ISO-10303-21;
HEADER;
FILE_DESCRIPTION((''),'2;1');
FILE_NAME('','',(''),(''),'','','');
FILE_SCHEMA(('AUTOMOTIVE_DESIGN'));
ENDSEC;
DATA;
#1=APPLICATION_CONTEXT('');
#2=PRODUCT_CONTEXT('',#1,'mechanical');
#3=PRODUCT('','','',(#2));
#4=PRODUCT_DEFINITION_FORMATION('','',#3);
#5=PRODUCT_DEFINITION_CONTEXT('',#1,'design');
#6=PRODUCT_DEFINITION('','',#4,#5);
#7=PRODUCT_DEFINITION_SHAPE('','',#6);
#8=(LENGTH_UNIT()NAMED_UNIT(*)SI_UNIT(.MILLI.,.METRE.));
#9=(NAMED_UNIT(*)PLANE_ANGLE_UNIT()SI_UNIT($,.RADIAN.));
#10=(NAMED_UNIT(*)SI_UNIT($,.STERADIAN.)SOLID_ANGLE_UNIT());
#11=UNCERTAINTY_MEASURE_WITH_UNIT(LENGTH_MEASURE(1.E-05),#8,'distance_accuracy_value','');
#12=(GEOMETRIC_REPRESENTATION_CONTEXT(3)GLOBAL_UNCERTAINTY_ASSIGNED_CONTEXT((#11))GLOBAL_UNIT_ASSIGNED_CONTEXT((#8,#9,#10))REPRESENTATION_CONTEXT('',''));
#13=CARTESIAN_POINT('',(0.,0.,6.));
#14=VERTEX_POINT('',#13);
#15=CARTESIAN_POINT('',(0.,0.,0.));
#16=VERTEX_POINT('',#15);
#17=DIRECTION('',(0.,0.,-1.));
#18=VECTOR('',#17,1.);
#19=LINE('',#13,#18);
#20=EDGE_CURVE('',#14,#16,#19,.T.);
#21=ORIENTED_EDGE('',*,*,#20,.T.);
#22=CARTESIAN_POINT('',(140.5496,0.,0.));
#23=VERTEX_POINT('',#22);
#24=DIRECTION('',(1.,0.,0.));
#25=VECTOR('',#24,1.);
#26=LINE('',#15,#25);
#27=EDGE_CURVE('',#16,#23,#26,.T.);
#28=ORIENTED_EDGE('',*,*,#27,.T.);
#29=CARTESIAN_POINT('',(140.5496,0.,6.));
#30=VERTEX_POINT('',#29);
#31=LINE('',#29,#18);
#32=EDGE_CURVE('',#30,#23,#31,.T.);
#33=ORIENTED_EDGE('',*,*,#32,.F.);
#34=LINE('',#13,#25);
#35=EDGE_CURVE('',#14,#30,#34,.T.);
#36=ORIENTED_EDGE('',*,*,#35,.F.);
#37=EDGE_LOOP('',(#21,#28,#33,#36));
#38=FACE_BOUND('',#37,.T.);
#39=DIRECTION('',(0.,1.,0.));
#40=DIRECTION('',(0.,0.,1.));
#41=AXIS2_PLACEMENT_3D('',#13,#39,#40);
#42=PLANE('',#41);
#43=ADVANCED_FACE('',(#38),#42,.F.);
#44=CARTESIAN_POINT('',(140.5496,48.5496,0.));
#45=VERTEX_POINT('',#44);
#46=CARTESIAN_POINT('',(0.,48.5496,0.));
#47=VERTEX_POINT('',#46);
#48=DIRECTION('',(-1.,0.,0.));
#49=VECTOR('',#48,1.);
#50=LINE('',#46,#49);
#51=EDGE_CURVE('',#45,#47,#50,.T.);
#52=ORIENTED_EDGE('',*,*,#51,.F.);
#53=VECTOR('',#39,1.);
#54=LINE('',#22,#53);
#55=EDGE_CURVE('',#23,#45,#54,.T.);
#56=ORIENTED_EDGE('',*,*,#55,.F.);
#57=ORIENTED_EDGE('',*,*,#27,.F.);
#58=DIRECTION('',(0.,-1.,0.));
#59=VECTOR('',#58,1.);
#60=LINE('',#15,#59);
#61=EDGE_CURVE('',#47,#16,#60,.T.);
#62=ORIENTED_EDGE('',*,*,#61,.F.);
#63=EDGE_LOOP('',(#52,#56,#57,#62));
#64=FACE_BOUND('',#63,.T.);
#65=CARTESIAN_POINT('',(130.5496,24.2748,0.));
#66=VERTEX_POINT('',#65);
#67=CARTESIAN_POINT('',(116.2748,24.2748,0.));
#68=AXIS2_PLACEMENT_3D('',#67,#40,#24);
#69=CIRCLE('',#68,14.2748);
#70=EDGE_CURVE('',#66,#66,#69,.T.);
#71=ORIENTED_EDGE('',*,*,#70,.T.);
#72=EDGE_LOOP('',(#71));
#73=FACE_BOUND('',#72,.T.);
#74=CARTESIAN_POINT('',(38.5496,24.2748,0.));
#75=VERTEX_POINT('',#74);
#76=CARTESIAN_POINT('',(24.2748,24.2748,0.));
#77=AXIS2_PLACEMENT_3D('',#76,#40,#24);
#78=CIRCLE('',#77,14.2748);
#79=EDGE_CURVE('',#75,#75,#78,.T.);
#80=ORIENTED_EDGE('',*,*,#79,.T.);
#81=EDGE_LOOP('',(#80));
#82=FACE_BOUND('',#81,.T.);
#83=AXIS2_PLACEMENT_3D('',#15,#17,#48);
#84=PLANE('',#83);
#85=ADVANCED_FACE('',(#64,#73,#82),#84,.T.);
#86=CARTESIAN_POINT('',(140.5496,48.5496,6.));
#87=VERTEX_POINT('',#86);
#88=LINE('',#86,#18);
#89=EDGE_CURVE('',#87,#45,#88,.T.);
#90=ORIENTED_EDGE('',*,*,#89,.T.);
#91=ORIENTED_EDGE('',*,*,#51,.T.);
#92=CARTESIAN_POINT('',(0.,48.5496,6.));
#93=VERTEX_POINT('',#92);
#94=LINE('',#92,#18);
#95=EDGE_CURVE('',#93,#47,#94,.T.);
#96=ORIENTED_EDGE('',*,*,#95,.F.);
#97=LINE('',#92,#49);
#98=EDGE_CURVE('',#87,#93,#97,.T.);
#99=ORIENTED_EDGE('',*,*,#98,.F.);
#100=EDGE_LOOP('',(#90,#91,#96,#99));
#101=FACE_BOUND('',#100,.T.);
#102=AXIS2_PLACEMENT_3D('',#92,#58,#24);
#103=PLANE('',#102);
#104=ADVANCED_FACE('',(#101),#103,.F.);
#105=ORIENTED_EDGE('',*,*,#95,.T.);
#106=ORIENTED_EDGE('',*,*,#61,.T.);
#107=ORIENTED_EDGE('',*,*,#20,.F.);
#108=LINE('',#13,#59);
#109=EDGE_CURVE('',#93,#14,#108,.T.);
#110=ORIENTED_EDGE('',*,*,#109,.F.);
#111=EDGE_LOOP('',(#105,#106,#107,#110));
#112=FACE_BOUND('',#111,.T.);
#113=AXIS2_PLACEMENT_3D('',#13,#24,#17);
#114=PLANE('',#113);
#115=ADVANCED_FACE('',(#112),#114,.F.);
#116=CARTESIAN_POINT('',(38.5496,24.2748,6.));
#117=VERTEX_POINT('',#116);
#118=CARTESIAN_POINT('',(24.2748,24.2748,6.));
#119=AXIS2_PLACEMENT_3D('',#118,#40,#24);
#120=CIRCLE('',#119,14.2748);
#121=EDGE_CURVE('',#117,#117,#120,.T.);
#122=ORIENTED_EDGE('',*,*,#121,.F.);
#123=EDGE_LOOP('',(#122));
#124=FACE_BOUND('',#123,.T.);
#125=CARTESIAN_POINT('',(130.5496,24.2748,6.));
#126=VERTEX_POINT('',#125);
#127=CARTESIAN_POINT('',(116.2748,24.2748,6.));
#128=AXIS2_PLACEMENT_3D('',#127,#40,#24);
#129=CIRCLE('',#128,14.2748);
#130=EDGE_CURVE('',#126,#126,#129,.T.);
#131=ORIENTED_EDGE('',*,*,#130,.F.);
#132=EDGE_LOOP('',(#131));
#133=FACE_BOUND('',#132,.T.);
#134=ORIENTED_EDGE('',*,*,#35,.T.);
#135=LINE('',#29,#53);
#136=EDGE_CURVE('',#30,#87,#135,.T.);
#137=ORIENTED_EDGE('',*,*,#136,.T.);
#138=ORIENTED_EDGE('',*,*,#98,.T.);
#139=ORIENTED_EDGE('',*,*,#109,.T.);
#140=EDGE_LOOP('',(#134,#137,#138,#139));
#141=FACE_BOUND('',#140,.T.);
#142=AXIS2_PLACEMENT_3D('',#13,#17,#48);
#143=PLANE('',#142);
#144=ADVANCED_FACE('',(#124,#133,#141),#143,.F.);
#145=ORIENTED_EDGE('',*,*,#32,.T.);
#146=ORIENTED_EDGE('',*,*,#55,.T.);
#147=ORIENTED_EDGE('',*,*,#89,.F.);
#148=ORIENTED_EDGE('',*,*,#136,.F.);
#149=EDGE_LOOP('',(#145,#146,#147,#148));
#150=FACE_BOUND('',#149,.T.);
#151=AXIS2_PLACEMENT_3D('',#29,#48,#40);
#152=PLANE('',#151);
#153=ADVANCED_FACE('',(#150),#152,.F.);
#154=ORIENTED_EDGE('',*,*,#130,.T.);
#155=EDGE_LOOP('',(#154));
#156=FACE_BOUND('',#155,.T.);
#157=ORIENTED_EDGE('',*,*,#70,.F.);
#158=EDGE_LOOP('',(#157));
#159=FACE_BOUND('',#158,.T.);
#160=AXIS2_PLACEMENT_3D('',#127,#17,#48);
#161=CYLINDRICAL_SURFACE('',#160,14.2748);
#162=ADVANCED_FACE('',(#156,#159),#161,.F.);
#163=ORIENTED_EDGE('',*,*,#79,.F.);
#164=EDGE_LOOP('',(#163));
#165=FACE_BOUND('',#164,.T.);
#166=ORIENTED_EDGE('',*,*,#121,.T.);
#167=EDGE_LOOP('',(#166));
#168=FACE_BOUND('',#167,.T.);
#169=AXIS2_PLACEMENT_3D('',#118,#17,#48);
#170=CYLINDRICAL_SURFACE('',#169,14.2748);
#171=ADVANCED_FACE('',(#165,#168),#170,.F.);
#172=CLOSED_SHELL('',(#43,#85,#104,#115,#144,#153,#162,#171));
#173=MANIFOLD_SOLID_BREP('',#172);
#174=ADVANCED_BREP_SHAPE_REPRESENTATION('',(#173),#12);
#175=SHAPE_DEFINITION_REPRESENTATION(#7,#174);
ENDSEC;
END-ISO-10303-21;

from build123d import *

# Parameters (mm, degrees)
SKETCH1_W           = 140.5496
SKETCH1_H           = 48.5496
SKETCH1_R           = 14.2748
BOSS_EXTRUDE1_DEPTH = 6


with BuildPart() as part:
    # Sketch1 → Boss-Extrude1 (new body)
    with BuildSketch(Plane.XY):
        with Locations((70.2748, 24.2748)):
            Rectangle(SKETCH1_W, SKETCH1_H)
        with Locations((24.2748, 24.2748)):
            Circle(SKETCH1_R, mode=Mode.SUBTRACT)
        with Locations((116.2748, 24.2748)):
            Circle(SKETCH1_R, mode=Mode.SUBTRACT)
    extrude(amount=BOSS_EXTRUDE1_DEPTH)


solid = part.part
